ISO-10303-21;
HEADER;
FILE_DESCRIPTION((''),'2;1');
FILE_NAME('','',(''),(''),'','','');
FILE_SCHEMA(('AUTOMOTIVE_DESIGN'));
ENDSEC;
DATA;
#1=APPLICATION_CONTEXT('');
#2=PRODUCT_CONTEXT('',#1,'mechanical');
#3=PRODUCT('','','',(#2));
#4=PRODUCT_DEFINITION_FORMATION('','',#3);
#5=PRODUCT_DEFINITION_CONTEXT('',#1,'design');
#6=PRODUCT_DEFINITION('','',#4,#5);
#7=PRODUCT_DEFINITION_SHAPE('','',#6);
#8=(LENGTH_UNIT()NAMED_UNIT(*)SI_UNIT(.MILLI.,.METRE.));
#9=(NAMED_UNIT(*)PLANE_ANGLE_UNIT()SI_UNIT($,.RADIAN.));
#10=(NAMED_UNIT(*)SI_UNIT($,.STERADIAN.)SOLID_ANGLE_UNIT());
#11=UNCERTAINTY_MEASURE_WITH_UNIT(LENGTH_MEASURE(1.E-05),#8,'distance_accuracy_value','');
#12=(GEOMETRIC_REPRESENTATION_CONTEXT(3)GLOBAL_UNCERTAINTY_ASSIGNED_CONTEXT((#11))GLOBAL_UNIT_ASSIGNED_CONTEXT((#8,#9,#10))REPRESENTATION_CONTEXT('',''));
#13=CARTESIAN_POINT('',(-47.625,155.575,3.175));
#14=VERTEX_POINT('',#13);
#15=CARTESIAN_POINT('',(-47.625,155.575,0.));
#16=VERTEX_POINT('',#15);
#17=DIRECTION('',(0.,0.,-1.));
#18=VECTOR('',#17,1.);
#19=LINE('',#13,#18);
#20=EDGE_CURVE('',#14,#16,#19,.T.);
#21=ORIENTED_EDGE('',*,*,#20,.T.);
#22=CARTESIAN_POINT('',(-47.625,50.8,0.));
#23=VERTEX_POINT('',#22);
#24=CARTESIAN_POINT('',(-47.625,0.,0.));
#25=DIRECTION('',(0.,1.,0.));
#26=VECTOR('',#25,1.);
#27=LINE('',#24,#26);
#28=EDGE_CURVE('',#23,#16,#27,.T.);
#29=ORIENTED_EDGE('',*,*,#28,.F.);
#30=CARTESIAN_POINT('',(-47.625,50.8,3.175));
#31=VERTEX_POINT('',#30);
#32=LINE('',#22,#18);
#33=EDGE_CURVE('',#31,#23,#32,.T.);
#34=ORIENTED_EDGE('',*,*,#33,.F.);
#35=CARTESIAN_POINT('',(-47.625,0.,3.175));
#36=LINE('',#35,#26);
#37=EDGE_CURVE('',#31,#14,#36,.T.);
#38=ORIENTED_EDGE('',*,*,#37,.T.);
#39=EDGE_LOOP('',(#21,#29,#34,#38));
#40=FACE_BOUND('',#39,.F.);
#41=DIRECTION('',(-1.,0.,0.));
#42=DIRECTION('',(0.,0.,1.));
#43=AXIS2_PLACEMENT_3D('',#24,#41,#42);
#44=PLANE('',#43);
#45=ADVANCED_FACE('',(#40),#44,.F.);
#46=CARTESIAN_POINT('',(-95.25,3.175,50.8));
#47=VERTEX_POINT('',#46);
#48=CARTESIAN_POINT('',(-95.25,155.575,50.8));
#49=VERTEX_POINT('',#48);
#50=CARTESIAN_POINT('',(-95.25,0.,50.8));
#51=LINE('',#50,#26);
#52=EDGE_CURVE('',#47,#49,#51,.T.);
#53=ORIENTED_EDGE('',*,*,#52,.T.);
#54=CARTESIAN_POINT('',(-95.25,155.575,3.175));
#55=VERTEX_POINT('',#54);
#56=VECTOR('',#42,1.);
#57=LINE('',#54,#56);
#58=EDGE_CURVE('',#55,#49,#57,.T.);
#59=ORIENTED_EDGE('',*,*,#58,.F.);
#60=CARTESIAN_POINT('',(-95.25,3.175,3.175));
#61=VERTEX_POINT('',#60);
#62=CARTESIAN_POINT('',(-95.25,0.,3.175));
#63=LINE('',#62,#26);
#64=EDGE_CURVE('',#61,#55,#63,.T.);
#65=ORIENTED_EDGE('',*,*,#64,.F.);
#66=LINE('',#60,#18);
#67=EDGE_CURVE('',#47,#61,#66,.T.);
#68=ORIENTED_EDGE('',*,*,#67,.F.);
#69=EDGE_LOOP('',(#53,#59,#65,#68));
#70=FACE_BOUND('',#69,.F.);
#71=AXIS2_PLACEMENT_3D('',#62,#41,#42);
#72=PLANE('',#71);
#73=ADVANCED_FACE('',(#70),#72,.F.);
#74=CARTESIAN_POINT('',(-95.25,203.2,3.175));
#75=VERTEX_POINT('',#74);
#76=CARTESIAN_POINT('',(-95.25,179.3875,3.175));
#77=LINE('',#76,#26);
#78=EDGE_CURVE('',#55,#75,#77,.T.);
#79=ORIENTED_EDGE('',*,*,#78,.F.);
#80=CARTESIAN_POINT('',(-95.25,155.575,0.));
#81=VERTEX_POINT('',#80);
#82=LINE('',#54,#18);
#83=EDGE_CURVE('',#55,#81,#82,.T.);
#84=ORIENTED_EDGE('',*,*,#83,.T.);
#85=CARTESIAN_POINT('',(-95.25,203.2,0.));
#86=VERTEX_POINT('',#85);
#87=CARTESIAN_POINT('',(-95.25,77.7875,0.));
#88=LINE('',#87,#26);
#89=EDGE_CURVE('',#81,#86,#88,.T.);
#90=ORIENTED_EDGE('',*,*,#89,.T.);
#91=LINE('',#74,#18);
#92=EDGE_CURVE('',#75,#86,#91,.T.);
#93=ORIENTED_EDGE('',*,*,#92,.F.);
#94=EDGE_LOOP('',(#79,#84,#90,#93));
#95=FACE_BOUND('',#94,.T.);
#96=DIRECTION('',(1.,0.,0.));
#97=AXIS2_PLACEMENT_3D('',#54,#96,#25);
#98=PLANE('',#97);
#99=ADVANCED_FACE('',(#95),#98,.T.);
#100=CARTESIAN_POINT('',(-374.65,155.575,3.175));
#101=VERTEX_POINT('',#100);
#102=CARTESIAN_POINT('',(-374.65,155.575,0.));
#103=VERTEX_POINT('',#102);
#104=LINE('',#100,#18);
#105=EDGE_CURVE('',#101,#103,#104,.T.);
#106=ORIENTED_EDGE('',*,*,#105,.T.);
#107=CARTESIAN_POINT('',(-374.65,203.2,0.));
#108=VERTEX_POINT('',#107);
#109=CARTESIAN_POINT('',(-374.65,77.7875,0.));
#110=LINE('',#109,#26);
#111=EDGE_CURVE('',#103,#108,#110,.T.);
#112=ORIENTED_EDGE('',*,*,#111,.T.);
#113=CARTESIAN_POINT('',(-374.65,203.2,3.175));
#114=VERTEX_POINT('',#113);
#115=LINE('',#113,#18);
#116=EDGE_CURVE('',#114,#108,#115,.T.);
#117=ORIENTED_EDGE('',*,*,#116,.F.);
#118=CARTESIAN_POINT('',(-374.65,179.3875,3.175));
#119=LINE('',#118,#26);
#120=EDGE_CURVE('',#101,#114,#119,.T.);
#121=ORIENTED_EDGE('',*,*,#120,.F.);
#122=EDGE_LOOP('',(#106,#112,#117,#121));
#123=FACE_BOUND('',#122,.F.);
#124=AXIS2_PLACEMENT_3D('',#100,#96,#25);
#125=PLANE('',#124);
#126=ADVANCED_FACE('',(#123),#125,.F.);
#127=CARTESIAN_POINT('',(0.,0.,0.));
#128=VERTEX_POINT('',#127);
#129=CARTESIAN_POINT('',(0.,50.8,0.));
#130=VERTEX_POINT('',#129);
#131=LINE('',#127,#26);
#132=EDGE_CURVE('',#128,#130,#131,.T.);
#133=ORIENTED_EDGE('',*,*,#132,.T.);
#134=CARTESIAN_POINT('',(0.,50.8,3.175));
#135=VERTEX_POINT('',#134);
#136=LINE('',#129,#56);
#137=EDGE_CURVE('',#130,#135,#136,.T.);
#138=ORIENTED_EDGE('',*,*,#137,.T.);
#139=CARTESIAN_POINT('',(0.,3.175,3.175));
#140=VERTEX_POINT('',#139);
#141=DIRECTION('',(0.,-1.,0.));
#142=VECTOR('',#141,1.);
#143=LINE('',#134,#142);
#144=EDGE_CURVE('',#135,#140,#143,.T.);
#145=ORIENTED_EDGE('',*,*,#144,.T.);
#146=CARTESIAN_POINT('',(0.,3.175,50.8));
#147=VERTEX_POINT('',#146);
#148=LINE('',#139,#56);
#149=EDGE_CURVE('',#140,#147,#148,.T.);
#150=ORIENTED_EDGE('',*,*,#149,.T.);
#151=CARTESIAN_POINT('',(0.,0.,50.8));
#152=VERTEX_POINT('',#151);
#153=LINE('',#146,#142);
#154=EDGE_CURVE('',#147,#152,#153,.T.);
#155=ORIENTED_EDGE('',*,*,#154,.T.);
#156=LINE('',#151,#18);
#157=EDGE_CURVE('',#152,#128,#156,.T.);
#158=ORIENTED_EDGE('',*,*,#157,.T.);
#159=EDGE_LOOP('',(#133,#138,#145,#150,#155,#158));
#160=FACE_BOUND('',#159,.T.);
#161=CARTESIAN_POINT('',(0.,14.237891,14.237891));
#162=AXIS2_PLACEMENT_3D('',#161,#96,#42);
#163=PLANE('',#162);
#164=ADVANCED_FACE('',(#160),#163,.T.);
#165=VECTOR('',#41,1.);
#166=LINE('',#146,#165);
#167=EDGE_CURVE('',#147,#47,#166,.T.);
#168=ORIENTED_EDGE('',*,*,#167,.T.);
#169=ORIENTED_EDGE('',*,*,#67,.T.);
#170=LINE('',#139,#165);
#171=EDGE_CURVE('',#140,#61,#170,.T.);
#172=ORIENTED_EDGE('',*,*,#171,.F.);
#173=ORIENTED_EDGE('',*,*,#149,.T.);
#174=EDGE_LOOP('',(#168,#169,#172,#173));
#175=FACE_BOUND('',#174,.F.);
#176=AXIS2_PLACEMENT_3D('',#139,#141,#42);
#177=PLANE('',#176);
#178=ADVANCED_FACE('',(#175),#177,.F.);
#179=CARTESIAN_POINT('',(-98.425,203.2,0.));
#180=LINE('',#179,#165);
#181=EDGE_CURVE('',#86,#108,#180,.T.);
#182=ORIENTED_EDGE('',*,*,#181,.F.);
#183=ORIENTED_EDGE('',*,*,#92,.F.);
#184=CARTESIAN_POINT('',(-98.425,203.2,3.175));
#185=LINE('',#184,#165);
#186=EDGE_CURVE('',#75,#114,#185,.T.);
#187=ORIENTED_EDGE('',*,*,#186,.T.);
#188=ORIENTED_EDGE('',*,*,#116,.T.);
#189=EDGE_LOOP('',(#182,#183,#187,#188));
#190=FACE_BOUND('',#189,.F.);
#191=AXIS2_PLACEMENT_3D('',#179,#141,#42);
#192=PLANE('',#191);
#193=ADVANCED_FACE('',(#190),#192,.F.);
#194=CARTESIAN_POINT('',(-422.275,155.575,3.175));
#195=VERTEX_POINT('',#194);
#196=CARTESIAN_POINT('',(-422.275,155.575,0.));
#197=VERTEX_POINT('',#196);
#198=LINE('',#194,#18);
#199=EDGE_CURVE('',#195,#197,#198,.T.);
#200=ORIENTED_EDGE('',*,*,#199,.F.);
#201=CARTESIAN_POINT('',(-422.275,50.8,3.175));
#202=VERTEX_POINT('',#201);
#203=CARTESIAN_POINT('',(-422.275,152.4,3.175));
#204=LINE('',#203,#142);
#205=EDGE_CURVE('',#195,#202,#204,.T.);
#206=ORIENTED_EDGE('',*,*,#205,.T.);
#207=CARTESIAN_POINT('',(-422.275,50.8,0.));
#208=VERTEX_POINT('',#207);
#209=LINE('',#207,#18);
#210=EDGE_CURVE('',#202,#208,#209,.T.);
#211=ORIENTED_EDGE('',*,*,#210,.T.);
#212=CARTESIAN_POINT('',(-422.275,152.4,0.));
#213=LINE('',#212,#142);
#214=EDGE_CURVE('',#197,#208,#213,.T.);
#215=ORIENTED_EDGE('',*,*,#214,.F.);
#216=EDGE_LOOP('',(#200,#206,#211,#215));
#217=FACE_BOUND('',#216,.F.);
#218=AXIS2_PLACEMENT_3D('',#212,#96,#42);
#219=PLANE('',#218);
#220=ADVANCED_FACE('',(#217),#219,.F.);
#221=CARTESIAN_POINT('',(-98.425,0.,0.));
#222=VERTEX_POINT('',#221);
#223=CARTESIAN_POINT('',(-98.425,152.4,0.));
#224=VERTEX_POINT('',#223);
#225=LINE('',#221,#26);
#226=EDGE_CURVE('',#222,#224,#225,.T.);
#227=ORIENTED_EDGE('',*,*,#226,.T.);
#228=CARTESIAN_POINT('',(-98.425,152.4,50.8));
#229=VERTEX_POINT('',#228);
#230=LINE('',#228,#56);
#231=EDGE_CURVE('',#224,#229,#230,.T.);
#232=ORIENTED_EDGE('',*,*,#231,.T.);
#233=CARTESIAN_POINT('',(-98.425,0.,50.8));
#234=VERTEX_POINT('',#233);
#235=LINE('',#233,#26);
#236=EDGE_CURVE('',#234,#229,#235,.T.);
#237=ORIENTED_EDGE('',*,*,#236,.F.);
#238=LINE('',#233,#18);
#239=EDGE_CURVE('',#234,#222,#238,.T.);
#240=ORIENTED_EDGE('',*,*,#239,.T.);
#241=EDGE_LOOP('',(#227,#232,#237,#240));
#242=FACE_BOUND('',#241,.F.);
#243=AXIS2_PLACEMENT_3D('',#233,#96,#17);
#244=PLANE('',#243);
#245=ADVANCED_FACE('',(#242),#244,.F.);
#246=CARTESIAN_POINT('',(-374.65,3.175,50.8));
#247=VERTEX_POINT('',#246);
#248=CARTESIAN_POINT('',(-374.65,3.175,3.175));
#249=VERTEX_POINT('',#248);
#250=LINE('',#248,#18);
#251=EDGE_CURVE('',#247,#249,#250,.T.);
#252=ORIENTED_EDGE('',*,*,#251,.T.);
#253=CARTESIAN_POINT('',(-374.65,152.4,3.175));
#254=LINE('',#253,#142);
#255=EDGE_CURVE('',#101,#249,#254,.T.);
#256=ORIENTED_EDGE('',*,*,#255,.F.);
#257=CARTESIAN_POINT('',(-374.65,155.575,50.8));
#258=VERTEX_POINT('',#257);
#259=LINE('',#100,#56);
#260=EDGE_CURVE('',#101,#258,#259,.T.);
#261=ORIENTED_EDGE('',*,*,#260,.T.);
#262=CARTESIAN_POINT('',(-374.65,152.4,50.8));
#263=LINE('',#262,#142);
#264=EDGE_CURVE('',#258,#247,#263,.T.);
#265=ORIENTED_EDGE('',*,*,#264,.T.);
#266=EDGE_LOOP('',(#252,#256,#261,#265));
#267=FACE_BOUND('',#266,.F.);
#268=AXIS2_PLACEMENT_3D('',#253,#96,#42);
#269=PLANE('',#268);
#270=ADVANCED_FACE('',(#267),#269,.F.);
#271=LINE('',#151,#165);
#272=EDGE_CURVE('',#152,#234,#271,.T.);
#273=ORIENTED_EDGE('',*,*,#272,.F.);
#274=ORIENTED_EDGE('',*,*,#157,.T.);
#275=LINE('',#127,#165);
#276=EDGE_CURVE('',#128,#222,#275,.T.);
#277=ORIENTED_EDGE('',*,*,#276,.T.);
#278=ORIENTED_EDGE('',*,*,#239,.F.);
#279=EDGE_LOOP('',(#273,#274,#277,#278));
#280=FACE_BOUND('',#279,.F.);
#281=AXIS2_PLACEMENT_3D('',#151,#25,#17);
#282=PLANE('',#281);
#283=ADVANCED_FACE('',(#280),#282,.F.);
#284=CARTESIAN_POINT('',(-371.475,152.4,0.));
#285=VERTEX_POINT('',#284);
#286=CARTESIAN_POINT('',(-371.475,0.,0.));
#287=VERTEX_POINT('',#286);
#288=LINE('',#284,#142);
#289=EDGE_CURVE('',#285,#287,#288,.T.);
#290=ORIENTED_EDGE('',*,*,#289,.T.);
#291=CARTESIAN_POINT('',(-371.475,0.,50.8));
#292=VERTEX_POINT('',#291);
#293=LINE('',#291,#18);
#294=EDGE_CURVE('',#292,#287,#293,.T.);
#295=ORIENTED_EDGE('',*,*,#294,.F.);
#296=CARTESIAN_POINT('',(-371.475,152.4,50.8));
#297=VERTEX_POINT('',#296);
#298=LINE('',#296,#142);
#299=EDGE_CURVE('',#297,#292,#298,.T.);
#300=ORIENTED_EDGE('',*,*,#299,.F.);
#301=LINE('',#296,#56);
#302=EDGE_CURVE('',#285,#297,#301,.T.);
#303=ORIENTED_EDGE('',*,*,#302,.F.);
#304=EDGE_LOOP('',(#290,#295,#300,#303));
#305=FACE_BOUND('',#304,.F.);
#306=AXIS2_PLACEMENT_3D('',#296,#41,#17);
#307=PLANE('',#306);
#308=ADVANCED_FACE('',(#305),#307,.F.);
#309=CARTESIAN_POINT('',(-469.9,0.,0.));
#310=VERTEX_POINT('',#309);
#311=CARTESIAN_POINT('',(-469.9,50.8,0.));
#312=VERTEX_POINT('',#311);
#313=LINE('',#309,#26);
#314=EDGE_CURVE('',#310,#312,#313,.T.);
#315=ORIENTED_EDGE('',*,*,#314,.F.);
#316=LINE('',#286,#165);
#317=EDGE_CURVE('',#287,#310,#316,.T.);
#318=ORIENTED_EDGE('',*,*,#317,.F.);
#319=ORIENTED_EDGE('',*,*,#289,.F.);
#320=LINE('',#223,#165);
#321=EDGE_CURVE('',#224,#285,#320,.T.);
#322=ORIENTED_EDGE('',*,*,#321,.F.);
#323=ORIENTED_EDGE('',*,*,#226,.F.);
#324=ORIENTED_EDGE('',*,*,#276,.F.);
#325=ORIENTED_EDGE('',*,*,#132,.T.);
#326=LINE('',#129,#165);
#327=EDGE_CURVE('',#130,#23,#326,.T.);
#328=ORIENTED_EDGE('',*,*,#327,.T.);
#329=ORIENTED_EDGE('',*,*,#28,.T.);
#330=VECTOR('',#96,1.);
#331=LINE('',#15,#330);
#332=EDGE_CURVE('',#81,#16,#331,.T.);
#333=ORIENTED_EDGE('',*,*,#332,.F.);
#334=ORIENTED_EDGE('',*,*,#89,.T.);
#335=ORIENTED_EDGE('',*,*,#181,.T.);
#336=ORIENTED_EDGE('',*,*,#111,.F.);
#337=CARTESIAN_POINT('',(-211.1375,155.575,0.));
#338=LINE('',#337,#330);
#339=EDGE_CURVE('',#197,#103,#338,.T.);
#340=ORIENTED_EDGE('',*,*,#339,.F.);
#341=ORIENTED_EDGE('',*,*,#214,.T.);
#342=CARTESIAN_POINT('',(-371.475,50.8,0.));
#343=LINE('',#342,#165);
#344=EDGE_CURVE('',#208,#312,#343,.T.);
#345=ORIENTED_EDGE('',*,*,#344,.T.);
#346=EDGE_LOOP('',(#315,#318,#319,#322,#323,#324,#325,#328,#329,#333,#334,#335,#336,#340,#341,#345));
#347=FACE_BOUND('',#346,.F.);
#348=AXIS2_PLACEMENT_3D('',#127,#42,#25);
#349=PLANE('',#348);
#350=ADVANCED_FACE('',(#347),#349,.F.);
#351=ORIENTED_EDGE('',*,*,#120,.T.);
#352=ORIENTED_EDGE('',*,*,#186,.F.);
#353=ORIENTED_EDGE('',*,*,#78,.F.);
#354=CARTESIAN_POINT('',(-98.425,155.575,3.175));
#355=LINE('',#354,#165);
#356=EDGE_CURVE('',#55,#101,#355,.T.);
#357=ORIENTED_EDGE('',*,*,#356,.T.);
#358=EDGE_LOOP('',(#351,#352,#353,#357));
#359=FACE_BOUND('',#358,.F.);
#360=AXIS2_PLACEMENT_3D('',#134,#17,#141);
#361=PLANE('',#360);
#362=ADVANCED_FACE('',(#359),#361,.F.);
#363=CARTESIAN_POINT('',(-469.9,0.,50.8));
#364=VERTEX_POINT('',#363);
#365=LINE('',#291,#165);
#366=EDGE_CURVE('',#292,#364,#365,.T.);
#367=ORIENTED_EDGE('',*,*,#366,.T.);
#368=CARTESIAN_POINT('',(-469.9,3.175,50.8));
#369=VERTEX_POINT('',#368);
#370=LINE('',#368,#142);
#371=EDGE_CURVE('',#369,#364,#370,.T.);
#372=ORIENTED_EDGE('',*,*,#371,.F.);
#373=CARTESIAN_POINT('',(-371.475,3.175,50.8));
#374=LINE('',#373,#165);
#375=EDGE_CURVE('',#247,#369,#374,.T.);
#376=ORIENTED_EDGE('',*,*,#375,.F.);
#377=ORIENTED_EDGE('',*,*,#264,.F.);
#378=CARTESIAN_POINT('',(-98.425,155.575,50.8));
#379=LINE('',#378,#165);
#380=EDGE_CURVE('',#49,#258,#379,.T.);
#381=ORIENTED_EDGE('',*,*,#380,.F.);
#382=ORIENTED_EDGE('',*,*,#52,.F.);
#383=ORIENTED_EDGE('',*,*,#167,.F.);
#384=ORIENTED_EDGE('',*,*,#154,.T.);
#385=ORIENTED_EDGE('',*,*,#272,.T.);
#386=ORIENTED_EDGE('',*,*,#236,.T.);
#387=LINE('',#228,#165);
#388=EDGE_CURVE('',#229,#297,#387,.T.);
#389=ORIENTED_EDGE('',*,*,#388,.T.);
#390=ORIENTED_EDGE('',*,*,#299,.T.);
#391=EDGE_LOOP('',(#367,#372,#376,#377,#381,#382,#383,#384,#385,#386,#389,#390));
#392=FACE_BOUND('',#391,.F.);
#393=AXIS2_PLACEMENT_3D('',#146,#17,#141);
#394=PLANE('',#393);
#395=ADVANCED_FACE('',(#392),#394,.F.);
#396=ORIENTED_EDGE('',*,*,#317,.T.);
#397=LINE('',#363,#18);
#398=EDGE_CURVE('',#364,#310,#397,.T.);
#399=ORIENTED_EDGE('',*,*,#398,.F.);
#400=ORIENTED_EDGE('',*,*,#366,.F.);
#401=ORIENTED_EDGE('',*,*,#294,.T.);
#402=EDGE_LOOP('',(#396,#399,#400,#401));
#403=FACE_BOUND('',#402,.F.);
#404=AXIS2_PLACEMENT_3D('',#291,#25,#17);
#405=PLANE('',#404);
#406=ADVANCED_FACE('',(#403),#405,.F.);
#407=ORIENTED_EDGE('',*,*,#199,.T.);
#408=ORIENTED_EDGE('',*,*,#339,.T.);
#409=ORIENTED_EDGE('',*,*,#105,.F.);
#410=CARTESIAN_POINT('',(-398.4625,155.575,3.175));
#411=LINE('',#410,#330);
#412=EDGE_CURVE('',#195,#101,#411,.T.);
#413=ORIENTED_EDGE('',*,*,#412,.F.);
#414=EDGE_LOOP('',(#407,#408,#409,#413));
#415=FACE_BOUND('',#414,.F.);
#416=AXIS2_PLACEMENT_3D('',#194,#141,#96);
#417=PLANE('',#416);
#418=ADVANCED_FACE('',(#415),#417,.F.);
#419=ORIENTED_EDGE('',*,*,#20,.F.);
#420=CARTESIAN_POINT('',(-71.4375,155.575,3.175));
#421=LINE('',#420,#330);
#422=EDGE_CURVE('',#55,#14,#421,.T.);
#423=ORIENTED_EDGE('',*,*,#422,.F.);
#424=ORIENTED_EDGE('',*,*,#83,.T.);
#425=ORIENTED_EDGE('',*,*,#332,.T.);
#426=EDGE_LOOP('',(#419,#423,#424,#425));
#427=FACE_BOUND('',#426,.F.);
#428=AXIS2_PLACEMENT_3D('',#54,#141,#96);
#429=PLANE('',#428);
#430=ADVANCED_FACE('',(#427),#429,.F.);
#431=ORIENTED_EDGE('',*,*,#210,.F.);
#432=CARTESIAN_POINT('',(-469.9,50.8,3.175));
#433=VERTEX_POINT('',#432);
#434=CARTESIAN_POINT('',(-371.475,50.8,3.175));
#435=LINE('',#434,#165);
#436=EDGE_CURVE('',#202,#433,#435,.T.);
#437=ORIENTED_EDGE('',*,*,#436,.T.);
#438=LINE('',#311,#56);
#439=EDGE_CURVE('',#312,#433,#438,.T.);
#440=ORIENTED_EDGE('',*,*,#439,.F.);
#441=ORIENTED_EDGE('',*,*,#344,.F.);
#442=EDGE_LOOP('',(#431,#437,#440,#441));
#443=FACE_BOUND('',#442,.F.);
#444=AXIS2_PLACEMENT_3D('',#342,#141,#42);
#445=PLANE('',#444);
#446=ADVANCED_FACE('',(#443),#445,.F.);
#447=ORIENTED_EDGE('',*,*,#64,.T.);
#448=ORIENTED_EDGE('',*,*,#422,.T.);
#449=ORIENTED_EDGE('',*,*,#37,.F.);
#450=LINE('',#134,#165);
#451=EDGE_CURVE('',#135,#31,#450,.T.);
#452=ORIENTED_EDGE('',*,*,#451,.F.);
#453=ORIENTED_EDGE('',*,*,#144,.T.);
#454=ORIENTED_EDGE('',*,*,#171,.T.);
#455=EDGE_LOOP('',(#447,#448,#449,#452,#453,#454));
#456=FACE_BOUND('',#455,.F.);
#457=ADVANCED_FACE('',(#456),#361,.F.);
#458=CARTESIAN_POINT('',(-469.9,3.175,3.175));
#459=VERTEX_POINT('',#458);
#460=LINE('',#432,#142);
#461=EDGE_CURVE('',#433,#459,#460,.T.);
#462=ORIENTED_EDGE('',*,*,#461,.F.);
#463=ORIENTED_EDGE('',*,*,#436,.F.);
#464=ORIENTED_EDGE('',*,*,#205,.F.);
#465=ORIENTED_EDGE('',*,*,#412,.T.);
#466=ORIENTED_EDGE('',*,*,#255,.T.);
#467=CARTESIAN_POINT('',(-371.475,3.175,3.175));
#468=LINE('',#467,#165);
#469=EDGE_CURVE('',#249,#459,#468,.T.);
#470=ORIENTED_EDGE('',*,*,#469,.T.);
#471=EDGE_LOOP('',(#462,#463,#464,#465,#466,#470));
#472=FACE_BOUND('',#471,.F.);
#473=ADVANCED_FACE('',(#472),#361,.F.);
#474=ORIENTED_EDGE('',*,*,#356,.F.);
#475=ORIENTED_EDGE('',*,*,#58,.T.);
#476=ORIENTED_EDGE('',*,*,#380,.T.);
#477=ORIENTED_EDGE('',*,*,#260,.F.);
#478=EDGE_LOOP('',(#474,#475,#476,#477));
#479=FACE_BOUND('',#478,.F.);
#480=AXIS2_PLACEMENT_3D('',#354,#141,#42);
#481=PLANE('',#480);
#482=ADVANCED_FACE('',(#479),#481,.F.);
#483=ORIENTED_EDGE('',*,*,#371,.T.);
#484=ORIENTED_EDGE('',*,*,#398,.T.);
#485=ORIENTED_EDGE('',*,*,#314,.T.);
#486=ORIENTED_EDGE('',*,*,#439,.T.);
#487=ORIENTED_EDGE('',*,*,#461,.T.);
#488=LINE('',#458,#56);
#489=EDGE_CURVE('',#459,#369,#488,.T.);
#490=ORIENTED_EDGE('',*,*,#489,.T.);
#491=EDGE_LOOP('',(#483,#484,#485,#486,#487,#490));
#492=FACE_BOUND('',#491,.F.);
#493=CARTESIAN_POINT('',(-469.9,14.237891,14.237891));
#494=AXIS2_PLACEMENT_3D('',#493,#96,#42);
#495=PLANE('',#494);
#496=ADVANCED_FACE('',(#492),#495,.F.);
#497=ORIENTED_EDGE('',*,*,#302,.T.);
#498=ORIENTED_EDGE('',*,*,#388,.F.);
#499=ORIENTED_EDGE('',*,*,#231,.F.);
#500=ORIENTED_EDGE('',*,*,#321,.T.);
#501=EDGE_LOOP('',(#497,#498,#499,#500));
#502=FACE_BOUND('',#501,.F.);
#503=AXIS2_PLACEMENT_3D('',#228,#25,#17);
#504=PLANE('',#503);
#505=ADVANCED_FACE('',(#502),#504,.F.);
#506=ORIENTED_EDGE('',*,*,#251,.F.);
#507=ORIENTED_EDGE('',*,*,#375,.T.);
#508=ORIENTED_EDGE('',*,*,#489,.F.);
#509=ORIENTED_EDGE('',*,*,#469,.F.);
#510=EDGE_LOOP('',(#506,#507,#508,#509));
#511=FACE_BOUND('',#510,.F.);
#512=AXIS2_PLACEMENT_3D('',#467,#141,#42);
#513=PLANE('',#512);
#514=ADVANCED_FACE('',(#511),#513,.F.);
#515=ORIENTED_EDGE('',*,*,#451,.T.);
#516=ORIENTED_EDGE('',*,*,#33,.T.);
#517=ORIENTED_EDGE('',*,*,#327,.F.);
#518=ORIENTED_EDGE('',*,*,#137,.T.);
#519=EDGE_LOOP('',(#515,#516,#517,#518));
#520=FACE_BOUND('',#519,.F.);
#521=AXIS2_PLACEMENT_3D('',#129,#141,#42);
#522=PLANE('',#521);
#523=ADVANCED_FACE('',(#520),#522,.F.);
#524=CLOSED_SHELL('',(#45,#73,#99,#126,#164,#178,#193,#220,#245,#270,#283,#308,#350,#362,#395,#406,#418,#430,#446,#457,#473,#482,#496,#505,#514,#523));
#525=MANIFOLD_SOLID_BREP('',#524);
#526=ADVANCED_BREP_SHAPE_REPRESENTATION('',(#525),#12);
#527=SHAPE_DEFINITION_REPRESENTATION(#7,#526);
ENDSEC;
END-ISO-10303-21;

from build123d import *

# Parameters (mm, degrees)
F3_W     = 47.625
F3_H     = 47.625
F4_DEPTH = 25.4


with BuildPart() as f2:
    # F2: sweep along a path in F1
    with BuildLine(Plane.XY) as f2_path:
        Line((0, 0), (-98.425, 0))
        Line((-98.425, 0), (-98.425, 152.4))
        Line((-98.425, 152.4), (-371.475, 152.4))
        Line((-371.475, 152.4), (-371.475, 0))
        Line((-371.475, 0), (-469.9, 0))
    # F0 (on Right) → F2 (sweep)
    with BuildSketch(Plane.YZ):
        Polygon((0, 50.8), (0, 0), (50.8, 0), (50.8, 3.175), (3.175, 3.175), (3.175, 50.8), align=None)
    sweep(path=f2_path.line, transition=Transition.RIGHT)

    # F3 (on face) → F4 (cut)
    with BuildSketch(Plane.XY.offset(3.175)):
        with Locations((-398.4625, 179.3875)):
            Rectangle(F3_W, F3_H)
        with Locations((-71.4375, 179.3875)):
            Rectangle(F3_W, F3_H)
    extrude(amount=-F4_DEPTH, mode=Mode.SUBTRACT)


solid = f2.part
